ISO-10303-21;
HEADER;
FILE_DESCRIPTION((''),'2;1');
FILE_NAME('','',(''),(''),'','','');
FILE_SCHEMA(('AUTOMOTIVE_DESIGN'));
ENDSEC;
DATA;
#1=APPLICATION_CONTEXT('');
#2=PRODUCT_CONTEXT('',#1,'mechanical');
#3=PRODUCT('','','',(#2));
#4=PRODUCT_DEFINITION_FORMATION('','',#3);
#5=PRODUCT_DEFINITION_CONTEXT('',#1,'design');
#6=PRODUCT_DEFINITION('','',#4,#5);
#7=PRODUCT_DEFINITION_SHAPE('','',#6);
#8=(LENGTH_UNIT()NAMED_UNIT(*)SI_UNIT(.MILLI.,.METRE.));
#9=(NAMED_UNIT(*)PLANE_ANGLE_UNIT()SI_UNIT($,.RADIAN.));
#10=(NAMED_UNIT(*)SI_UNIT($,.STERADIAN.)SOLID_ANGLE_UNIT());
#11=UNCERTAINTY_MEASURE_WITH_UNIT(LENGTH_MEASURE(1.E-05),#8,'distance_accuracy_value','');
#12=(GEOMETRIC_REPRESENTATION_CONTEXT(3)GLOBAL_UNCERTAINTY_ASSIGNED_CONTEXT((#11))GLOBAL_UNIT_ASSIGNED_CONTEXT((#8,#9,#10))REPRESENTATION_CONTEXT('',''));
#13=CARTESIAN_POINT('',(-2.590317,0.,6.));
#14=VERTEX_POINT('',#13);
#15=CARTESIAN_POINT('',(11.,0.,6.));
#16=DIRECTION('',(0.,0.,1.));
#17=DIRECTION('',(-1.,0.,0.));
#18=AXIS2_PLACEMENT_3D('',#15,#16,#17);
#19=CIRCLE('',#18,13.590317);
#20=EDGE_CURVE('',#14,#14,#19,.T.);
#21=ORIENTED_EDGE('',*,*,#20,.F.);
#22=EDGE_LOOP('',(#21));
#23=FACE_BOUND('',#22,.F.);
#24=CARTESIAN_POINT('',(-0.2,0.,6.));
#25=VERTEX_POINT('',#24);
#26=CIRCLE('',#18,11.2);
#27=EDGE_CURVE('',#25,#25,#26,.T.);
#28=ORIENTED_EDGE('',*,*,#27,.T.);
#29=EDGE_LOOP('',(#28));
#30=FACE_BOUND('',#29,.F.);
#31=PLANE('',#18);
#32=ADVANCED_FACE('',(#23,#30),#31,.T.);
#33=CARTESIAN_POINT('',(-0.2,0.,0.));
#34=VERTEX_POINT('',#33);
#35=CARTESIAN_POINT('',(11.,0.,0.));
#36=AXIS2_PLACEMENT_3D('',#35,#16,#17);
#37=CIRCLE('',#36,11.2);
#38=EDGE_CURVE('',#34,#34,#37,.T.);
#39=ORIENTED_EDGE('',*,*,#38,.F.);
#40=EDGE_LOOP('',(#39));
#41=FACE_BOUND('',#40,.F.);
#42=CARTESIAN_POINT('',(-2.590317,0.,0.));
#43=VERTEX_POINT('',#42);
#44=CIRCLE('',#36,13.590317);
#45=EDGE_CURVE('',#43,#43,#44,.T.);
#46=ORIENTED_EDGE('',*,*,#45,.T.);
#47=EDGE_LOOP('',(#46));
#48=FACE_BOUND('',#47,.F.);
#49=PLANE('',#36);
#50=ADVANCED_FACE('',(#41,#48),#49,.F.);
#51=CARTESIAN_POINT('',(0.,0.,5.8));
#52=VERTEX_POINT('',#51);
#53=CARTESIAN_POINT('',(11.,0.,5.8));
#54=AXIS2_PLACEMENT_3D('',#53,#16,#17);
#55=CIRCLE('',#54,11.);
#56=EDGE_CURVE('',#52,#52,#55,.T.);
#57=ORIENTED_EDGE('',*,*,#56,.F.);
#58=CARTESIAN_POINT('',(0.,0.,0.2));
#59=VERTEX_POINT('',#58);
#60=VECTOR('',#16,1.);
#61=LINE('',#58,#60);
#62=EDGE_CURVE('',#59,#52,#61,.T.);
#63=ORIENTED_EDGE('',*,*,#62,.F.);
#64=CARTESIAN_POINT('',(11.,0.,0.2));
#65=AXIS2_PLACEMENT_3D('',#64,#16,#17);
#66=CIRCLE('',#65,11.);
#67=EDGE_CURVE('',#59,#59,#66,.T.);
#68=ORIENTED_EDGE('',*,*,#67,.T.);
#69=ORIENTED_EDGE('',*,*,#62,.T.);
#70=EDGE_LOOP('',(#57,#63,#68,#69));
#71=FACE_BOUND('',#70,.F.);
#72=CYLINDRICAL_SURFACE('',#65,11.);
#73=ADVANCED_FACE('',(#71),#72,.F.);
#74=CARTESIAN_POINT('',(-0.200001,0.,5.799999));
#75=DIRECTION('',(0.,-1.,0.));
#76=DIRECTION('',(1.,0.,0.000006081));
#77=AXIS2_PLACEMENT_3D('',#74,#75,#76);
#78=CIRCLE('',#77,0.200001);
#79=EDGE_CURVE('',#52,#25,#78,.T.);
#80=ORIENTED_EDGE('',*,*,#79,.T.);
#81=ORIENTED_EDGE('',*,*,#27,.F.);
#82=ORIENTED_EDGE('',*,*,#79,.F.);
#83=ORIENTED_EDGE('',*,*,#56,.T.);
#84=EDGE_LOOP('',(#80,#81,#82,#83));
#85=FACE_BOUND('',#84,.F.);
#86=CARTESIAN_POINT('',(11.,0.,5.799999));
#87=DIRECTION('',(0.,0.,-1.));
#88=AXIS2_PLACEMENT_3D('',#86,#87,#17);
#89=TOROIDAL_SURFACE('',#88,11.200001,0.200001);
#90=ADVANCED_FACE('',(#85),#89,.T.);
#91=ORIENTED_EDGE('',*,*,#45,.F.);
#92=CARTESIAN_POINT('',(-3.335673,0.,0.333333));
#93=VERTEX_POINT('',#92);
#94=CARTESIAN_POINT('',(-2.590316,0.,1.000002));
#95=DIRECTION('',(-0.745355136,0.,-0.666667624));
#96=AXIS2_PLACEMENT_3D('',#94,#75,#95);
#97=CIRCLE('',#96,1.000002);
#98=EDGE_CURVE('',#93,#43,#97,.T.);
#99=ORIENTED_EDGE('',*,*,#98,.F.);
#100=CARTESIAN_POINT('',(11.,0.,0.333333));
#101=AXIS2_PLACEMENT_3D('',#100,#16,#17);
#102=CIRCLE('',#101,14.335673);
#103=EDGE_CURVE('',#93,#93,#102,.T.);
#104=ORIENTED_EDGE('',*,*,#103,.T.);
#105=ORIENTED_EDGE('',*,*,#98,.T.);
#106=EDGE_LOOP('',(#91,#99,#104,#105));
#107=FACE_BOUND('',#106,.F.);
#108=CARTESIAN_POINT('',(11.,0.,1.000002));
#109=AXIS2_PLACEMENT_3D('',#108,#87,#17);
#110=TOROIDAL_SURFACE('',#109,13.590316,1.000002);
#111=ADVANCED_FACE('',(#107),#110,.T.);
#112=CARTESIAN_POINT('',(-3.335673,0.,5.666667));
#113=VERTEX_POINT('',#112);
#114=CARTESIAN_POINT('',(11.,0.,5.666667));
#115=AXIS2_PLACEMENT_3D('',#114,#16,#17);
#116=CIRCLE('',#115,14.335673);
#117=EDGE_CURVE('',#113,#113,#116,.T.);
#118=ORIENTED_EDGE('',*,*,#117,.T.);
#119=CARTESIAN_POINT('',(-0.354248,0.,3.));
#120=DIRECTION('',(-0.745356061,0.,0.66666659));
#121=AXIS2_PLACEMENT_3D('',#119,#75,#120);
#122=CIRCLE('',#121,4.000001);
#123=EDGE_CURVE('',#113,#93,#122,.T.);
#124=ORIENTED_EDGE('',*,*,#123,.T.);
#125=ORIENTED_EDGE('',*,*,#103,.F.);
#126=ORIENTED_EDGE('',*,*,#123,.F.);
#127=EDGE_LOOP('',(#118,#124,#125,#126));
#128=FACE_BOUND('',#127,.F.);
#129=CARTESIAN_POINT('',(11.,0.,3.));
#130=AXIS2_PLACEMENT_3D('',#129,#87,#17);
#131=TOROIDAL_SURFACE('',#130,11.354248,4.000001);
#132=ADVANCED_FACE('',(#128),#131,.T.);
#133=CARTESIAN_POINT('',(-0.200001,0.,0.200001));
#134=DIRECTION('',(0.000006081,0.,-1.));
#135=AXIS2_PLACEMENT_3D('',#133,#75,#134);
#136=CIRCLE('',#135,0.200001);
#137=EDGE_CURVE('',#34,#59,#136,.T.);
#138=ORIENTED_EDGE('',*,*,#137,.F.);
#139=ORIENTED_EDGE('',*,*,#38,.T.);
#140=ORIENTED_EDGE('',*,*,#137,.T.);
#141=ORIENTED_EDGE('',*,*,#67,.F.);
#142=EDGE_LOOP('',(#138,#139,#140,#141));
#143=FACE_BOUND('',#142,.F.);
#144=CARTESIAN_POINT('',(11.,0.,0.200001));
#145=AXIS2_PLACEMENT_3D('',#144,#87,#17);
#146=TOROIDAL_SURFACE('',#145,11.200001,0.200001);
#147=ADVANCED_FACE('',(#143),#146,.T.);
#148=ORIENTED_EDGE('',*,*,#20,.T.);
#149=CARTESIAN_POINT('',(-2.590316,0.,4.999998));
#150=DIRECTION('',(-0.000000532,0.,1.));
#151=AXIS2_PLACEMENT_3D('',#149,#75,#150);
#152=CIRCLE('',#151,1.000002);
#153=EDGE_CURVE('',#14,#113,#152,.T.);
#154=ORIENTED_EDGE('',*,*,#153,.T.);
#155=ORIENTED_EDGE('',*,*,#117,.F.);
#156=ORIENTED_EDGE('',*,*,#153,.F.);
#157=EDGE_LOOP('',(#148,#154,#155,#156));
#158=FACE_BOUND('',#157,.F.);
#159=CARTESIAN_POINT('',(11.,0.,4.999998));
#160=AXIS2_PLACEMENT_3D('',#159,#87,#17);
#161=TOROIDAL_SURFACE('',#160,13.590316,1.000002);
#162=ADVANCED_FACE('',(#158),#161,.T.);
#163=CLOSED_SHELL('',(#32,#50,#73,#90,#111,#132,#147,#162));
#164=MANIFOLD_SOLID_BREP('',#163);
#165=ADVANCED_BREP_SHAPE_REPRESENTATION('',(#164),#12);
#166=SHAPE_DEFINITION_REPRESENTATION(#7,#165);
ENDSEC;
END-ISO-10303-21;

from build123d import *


with BuildPart() as f1:
    # F0 (on Front) → F1 (revolve)
    with BuildSketch(Plane.XZ):
        with BuildLine():
            ThreePointArc((-0.2, 0), (-0.058579, 0.058579), (0, 0.2))
            Line((0, 0.2), (0, 5.8))
            ThreePointArc((0, 5.8), (-0.058579, 5.941421), (-0.2, 6))
            Line((-0.2, 6), (-2.590317, 6))
            ThreePointArc((-2.590317, 6), (-2.998565, 5.912871), (-3.335673, 5.666667))
            ThreePointArc((-3.335673, 5.666667), (-4.354249, 3), (-3.335673, 0.333333))
            ThreePointArc((-3.335673, 0.333333), (-2.998565, 0.087129), (-2.590317, 0))
            Line((-2.590317, 0), (-0.2, 0))
        make_face()
    revolve(axis=Axis((11, 0, 3), (0, 0, 1)))


solid = f1.part
